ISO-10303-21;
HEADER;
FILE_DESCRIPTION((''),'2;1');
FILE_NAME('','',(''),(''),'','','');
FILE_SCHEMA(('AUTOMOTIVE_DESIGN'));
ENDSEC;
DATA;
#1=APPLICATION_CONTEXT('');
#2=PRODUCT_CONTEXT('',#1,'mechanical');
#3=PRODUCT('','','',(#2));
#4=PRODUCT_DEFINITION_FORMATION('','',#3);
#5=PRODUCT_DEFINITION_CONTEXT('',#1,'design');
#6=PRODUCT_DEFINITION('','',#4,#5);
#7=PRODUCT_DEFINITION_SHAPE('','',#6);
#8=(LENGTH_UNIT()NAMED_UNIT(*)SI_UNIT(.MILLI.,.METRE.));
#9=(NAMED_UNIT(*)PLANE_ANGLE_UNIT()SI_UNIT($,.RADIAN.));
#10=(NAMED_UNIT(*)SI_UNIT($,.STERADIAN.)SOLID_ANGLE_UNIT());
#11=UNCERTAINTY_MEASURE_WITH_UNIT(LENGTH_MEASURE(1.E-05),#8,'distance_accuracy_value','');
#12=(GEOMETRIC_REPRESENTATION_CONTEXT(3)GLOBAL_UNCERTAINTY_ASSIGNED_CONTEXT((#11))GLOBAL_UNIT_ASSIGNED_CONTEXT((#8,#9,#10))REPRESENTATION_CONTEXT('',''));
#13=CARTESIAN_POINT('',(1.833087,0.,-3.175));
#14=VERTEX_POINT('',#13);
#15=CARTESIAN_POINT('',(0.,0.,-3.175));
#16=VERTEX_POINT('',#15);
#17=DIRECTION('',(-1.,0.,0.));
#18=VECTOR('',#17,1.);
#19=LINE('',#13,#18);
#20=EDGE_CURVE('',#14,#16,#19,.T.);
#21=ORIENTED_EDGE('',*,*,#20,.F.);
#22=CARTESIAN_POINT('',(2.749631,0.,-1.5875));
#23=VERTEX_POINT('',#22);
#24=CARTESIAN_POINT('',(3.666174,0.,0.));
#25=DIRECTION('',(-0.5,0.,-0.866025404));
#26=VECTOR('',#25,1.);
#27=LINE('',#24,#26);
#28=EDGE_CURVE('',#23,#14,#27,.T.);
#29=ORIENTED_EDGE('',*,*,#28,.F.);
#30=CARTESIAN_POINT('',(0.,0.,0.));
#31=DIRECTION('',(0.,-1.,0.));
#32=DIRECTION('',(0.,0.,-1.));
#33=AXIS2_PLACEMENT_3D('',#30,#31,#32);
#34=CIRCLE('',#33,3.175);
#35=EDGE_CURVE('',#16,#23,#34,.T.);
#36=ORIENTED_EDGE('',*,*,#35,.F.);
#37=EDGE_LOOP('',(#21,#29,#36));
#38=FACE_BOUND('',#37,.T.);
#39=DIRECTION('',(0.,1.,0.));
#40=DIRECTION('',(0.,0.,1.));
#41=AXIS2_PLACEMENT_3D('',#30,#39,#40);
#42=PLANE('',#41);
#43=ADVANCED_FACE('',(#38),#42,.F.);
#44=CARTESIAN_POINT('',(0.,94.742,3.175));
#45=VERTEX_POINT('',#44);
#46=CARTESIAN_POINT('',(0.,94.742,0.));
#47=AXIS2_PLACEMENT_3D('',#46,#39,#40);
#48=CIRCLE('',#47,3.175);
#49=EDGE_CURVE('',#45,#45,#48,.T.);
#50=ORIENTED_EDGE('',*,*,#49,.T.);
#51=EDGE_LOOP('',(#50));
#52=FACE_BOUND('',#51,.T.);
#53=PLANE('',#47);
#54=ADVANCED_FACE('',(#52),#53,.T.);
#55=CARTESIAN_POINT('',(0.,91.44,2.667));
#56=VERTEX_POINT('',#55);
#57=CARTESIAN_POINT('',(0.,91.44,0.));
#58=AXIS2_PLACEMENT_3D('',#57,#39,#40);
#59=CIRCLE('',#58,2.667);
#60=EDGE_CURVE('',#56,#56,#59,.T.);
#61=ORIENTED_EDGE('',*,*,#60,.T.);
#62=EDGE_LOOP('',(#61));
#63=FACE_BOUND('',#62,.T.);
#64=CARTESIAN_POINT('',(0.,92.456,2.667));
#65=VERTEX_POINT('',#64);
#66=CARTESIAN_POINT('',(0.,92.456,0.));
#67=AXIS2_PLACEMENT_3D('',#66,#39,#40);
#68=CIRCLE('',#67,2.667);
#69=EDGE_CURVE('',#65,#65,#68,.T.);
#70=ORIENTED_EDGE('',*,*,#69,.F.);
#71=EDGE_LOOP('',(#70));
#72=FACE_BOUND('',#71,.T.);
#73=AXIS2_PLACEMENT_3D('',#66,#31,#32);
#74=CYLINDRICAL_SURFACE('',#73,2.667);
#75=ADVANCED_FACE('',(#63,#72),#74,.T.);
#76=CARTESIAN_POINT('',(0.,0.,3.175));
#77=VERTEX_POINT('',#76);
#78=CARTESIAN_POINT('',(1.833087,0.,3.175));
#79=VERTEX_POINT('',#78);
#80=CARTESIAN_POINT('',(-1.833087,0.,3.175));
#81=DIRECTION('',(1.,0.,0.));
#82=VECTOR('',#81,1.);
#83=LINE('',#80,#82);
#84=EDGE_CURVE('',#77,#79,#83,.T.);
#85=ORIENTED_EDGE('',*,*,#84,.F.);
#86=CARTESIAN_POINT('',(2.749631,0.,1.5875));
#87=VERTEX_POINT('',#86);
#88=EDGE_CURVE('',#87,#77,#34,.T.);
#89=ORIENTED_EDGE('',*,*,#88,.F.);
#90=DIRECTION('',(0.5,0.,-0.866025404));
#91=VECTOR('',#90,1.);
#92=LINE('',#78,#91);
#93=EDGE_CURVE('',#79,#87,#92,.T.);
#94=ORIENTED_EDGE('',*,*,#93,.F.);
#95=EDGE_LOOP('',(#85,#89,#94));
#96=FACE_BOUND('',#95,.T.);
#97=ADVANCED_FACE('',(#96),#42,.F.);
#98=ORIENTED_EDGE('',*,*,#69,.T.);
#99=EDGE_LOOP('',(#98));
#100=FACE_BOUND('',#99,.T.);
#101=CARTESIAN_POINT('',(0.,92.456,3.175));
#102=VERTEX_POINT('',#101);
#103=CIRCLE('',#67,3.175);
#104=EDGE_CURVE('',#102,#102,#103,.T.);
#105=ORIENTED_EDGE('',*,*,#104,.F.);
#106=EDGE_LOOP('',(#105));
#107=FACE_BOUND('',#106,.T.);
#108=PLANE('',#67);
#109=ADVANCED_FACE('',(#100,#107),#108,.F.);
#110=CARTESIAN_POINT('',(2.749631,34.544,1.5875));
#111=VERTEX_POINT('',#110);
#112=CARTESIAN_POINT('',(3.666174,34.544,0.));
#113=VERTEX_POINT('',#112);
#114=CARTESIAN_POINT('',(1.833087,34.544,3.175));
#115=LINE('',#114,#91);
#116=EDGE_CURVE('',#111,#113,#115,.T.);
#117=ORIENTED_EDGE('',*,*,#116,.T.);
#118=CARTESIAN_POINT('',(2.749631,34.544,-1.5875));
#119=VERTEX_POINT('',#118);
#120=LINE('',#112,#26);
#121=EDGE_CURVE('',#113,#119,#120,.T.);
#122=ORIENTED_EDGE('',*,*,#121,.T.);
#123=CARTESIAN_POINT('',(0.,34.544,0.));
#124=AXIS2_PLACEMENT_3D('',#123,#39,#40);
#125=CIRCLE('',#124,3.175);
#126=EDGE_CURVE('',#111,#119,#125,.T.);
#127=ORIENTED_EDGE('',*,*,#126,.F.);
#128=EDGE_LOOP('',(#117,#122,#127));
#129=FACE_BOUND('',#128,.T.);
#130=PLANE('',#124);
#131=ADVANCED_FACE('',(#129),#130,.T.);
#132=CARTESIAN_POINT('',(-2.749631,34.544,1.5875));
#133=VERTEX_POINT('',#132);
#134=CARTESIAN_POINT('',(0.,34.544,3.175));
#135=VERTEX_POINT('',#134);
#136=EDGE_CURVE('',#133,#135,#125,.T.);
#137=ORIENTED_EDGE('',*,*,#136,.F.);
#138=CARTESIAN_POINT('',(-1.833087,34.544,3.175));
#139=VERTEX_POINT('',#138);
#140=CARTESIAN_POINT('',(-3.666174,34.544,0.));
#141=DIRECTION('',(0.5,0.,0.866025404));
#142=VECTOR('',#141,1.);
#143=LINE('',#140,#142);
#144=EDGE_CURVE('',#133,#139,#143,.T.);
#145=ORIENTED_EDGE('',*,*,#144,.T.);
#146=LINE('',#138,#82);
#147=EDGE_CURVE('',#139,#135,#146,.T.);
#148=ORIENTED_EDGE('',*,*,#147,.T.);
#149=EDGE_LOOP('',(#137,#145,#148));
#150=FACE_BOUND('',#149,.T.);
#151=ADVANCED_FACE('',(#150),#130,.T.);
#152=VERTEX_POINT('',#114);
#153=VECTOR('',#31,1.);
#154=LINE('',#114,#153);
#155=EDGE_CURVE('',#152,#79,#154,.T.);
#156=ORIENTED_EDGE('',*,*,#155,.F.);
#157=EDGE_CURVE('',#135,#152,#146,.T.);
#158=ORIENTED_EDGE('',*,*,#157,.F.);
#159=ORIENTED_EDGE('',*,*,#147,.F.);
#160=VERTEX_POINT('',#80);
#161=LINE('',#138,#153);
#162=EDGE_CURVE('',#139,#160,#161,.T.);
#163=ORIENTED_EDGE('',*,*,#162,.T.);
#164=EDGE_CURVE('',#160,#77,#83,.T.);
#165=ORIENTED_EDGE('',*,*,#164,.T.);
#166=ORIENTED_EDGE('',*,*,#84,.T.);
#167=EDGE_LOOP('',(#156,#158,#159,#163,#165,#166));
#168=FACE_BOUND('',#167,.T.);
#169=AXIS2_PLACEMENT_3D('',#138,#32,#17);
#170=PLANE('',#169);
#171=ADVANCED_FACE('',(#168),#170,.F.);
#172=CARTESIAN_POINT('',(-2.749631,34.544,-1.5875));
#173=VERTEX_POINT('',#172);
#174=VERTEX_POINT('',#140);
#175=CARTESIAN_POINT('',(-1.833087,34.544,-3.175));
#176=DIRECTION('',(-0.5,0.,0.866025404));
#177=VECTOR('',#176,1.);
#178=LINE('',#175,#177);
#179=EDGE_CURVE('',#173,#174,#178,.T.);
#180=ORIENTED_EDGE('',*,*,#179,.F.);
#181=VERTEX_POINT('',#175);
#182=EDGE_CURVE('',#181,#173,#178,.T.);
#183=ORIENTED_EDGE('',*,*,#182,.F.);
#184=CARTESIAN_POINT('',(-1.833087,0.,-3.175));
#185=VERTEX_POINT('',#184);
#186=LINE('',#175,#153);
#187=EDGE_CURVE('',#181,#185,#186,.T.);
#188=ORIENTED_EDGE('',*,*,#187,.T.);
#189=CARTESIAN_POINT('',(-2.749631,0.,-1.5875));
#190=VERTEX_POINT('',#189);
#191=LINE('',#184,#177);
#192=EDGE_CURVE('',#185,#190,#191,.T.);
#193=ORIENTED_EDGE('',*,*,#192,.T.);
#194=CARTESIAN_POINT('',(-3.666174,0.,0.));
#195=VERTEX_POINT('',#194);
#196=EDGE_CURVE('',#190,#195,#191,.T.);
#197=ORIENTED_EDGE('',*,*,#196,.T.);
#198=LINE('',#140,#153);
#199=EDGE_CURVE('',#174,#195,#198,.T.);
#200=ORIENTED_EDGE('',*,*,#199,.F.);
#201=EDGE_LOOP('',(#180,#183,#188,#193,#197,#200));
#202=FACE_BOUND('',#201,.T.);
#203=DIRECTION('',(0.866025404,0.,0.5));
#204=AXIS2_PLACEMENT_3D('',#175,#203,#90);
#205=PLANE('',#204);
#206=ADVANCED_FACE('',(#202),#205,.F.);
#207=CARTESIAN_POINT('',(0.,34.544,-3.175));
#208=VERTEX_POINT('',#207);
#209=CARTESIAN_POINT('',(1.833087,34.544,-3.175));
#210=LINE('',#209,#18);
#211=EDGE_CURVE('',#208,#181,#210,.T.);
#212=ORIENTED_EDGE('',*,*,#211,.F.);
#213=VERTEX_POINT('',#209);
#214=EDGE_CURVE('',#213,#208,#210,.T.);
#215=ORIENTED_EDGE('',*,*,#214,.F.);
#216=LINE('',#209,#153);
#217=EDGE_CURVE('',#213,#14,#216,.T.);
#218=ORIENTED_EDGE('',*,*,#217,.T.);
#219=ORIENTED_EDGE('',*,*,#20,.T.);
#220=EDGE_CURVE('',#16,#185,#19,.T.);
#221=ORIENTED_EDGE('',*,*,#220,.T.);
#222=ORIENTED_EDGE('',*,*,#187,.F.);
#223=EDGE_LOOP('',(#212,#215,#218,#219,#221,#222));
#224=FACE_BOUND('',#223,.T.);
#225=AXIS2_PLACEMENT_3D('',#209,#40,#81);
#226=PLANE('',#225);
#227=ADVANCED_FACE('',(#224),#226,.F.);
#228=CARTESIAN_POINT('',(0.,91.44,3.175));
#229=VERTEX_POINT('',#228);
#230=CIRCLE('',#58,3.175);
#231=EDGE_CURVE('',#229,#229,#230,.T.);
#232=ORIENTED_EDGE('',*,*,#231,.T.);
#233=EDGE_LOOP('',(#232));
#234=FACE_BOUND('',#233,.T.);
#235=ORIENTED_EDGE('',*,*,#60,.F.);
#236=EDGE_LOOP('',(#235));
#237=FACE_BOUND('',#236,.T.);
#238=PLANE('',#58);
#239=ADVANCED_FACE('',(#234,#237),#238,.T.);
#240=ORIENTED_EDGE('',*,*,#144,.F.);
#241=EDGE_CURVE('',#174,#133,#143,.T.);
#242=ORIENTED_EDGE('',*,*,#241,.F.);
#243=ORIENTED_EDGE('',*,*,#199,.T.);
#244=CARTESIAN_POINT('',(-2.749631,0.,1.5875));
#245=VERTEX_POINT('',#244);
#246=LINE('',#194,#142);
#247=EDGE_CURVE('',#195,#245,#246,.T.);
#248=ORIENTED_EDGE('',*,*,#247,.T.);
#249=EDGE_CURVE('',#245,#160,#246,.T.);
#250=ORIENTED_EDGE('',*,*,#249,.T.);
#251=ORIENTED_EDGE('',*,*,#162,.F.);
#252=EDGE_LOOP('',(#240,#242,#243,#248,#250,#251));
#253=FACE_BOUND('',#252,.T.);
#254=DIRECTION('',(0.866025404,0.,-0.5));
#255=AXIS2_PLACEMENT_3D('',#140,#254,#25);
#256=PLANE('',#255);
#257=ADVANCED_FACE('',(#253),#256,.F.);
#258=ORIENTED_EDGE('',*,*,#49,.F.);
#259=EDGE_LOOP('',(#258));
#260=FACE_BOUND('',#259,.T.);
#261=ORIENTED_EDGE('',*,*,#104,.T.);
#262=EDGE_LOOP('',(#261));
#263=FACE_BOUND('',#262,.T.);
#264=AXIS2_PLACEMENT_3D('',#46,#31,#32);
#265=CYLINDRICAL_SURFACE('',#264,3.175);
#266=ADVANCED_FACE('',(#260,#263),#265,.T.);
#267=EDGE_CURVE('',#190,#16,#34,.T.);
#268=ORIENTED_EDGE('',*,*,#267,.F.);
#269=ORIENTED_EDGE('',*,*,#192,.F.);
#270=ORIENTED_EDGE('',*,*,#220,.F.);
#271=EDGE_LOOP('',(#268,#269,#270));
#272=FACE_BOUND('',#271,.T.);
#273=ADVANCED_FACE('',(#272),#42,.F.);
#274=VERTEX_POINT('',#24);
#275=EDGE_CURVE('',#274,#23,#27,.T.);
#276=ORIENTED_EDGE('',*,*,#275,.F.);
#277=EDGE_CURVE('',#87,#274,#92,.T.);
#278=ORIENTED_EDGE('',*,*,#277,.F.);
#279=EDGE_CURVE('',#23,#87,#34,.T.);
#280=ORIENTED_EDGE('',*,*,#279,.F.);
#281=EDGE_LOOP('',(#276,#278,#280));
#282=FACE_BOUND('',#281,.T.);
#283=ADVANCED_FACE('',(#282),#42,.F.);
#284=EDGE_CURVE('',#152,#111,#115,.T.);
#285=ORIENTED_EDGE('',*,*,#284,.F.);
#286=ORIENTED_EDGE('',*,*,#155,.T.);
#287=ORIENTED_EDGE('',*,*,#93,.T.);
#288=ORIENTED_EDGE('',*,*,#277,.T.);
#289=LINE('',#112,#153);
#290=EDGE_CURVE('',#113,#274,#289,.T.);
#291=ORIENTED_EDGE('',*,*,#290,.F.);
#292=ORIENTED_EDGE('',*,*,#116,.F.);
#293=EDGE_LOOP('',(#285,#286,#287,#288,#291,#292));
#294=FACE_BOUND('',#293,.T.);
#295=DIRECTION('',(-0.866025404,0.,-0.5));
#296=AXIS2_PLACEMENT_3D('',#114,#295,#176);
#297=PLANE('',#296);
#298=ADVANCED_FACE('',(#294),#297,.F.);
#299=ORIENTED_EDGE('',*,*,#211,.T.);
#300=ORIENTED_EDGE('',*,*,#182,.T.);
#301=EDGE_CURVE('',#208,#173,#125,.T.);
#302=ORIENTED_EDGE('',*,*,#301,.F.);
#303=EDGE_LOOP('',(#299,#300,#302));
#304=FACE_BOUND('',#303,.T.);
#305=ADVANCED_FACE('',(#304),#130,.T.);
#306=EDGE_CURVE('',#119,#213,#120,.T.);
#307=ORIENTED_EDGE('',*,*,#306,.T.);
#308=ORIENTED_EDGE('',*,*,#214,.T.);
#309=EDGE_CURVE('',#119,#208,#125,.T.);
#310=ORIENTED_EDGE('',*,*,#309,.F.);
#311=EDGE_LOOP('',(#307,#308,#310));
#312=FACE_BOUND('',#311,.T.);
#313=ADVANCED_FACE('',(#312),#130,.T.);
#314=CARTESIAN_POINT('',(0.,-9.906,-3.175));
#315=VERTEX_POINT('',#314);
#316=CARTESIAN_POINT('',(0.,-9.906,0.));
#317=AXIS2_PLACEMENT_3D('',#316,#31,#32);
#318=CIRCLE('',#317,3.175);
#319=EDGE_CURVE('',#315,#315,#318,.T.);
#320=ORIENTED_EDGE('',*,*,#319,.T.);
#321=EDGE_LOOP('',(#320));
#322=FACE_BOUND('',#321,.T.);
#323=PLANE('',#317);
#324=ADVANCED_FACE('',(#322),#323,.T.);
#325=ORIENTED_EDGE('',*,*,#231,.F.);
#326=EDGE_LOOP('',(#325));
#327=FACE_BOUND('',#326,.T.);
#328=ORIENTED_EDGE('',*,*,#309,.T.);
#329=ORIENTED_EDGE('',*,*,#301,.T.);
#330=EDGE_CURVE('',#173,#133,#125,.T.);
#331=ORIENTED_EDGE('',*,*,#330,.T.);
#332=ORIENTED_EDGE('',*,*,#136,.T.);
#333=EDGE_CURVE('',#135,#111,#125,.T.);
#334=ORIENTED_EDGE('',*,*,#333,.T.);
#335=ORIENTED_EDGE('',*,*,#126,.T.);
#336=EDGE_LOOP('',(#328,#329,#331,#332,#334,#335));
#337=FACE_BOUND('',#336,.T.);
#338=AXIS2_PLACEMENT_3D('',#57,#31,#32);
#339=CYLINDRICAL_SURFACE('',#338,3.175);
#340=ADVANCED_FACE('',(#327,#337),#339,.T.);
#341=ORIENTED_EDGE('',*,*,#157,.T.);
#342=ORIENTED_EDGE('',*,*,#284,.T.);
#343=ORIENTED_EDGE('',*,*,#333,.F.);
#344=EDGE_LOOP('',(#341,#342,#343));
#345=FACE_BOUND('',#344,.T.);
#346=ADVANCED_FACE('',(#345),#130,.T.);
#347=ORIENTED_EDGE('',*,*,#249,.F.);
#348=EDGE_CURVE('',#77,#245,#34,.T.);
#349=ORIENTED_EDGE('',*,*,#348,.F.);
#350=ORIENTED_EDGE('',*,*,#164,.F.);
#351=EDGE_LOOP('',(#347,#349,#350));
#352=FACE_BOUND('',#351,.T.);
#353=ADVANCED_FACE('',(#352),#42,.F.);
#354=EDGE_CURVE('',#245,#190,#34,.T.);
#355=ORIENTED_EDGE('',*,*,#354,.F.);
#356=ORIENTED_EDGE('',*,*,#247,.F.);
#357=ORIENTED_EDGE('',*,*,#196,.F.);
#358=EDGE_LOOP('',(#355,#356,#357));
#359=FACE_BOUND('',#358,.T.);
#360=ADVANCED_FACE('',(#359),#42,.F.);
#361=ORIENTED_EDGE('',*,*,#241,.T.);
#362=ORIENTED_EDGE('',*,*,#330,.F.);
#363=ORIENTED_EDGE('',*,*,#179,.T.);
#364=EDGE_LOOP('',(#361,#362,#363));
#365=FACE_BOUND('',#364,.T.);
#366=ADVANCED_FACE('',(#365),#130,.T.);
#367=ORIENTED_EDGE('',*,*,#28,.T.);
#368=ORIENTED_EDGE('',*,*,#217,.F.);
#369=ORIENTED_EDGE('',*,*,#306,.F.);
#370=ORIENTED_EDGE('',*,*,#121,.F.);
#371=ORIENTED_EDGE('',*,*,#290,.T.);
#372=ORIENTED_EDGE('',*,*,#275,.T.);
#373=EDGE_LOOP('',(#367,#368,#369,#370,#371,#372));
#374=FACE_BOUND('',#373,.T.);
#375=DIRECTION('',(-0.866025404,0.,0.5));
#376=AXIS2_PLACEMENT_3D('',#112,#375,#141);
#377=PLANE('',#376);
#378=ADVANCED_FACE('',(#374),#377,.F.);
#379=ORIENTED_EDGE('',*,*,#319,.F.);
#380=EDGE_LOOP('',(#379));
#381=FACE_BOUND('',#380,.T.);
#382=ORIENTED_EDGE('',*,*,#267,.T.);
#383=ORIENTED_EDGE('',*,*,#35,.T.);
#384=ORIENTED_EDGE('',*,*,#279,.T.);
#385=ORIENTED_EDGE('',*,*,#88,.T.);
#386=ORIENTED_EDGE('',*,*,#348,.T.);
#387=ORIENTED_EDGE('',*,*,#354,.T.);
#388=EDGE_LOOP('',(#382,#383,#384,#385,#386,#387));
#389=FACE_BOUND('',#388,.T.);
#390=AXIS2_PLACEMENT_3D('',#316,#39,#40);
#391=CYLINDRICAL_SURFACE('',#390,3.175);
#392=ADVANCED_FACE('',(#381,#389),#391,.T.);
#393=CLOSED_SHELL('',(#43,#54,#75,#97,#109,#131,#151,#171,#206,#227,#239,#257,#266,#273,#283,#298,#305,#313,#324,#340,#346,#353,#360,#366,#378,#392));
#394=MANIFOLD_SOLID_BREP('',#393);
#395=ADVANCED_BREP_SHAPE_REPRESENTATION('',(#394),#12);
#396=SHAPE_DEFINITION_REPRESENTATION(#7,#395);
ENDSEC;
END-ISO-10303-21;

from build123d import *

# Parameters (mm, degrees)
BOSS_EXTRUDE1_DEPTH = 34.544
SKETCH2_R           = 3.175
BOSS_EXTRUDE2_DEPTH = 56.896
SKETCH3_R           = 2.667
BOSS_EXTRUDE3_DEPTH = 1.016
SKETCH4_R           = 3.175
BOSS_EXTRUDE4_DEPTH = 2.286
BOSS_EXTRUDE5_START = 9.906
SKETCH5_R           = 3.175
BOSS_EXTRUDE5_DEPTH = 9.906


with BuildPart() as part:
    # Sketch1 → Boss-Extrude1 (new body)
    with BuildSketch(Plane(origin=(0, 0, 0), x_dir=(1, 0, 0), z_dir=(0, 1, 0))):
        Polygon((1.833087105, 3.175), (-1.833087105, 3.175), (-3.666174209, 0), (-1.833087105, -3.175), (1.833087105, -3.175), (3.666174209, 0), align=None)
    extrude(amount=BOSS_EXTRUDE1_DEPTH)

    # Sketch2 → Boss-Extrude2 (add)
    with BuildSketch(Plane(origin=(0, 34.544, 0), x_dir=(1, 0, 0), z_dir=(0, 1, 0))):
        with Locations(Location((0, 0, 0), (0, 0, 270))):
            Circle(SKETCH2_R)
    extrude(amount=BOSS_EXTRUDE2_DEPTH)

    # Sketch3 → Boss-Extrude3 (add)
    with BuildSketch(Plane(origin=(0, 91.44, 0), x_dir=(1, 0, 0), z_dir=(0, 1, 0))):
        with Locations(Location((0, 0, 0), (0, 0, 270))):
            Circle(SKETCH3_R)
    extrude(amount=BOSS_EXTRUDE3_DEPTH)

    # Sketch4 → Boss-Extrude4 (add)
    with BuildSketch(Plane(origin=(0, 92.456, 0), x_dir=(1, 0, 0), z_dir=(0, 1, 0))):
        with Locations(Location((0, 0, 0), (0, 0, 270))):
            Circle(SKETCH4_R)
    extrude(amount=BOSS_EXTRUDE4_DEPTH)

    # Sketch5 → Boss-Extrude5 (add)
    with BuildSketch(Plane.XZ.offset(BOSS_EXTRUDE5_START)):
        with Locations(Location((0, 0, 0), (0, 0, 90))):
            Circle(SKETCH5_R)
    extrude(amount=-BOSS_EXTRUDE5_DEPTH)


solid = part.part
